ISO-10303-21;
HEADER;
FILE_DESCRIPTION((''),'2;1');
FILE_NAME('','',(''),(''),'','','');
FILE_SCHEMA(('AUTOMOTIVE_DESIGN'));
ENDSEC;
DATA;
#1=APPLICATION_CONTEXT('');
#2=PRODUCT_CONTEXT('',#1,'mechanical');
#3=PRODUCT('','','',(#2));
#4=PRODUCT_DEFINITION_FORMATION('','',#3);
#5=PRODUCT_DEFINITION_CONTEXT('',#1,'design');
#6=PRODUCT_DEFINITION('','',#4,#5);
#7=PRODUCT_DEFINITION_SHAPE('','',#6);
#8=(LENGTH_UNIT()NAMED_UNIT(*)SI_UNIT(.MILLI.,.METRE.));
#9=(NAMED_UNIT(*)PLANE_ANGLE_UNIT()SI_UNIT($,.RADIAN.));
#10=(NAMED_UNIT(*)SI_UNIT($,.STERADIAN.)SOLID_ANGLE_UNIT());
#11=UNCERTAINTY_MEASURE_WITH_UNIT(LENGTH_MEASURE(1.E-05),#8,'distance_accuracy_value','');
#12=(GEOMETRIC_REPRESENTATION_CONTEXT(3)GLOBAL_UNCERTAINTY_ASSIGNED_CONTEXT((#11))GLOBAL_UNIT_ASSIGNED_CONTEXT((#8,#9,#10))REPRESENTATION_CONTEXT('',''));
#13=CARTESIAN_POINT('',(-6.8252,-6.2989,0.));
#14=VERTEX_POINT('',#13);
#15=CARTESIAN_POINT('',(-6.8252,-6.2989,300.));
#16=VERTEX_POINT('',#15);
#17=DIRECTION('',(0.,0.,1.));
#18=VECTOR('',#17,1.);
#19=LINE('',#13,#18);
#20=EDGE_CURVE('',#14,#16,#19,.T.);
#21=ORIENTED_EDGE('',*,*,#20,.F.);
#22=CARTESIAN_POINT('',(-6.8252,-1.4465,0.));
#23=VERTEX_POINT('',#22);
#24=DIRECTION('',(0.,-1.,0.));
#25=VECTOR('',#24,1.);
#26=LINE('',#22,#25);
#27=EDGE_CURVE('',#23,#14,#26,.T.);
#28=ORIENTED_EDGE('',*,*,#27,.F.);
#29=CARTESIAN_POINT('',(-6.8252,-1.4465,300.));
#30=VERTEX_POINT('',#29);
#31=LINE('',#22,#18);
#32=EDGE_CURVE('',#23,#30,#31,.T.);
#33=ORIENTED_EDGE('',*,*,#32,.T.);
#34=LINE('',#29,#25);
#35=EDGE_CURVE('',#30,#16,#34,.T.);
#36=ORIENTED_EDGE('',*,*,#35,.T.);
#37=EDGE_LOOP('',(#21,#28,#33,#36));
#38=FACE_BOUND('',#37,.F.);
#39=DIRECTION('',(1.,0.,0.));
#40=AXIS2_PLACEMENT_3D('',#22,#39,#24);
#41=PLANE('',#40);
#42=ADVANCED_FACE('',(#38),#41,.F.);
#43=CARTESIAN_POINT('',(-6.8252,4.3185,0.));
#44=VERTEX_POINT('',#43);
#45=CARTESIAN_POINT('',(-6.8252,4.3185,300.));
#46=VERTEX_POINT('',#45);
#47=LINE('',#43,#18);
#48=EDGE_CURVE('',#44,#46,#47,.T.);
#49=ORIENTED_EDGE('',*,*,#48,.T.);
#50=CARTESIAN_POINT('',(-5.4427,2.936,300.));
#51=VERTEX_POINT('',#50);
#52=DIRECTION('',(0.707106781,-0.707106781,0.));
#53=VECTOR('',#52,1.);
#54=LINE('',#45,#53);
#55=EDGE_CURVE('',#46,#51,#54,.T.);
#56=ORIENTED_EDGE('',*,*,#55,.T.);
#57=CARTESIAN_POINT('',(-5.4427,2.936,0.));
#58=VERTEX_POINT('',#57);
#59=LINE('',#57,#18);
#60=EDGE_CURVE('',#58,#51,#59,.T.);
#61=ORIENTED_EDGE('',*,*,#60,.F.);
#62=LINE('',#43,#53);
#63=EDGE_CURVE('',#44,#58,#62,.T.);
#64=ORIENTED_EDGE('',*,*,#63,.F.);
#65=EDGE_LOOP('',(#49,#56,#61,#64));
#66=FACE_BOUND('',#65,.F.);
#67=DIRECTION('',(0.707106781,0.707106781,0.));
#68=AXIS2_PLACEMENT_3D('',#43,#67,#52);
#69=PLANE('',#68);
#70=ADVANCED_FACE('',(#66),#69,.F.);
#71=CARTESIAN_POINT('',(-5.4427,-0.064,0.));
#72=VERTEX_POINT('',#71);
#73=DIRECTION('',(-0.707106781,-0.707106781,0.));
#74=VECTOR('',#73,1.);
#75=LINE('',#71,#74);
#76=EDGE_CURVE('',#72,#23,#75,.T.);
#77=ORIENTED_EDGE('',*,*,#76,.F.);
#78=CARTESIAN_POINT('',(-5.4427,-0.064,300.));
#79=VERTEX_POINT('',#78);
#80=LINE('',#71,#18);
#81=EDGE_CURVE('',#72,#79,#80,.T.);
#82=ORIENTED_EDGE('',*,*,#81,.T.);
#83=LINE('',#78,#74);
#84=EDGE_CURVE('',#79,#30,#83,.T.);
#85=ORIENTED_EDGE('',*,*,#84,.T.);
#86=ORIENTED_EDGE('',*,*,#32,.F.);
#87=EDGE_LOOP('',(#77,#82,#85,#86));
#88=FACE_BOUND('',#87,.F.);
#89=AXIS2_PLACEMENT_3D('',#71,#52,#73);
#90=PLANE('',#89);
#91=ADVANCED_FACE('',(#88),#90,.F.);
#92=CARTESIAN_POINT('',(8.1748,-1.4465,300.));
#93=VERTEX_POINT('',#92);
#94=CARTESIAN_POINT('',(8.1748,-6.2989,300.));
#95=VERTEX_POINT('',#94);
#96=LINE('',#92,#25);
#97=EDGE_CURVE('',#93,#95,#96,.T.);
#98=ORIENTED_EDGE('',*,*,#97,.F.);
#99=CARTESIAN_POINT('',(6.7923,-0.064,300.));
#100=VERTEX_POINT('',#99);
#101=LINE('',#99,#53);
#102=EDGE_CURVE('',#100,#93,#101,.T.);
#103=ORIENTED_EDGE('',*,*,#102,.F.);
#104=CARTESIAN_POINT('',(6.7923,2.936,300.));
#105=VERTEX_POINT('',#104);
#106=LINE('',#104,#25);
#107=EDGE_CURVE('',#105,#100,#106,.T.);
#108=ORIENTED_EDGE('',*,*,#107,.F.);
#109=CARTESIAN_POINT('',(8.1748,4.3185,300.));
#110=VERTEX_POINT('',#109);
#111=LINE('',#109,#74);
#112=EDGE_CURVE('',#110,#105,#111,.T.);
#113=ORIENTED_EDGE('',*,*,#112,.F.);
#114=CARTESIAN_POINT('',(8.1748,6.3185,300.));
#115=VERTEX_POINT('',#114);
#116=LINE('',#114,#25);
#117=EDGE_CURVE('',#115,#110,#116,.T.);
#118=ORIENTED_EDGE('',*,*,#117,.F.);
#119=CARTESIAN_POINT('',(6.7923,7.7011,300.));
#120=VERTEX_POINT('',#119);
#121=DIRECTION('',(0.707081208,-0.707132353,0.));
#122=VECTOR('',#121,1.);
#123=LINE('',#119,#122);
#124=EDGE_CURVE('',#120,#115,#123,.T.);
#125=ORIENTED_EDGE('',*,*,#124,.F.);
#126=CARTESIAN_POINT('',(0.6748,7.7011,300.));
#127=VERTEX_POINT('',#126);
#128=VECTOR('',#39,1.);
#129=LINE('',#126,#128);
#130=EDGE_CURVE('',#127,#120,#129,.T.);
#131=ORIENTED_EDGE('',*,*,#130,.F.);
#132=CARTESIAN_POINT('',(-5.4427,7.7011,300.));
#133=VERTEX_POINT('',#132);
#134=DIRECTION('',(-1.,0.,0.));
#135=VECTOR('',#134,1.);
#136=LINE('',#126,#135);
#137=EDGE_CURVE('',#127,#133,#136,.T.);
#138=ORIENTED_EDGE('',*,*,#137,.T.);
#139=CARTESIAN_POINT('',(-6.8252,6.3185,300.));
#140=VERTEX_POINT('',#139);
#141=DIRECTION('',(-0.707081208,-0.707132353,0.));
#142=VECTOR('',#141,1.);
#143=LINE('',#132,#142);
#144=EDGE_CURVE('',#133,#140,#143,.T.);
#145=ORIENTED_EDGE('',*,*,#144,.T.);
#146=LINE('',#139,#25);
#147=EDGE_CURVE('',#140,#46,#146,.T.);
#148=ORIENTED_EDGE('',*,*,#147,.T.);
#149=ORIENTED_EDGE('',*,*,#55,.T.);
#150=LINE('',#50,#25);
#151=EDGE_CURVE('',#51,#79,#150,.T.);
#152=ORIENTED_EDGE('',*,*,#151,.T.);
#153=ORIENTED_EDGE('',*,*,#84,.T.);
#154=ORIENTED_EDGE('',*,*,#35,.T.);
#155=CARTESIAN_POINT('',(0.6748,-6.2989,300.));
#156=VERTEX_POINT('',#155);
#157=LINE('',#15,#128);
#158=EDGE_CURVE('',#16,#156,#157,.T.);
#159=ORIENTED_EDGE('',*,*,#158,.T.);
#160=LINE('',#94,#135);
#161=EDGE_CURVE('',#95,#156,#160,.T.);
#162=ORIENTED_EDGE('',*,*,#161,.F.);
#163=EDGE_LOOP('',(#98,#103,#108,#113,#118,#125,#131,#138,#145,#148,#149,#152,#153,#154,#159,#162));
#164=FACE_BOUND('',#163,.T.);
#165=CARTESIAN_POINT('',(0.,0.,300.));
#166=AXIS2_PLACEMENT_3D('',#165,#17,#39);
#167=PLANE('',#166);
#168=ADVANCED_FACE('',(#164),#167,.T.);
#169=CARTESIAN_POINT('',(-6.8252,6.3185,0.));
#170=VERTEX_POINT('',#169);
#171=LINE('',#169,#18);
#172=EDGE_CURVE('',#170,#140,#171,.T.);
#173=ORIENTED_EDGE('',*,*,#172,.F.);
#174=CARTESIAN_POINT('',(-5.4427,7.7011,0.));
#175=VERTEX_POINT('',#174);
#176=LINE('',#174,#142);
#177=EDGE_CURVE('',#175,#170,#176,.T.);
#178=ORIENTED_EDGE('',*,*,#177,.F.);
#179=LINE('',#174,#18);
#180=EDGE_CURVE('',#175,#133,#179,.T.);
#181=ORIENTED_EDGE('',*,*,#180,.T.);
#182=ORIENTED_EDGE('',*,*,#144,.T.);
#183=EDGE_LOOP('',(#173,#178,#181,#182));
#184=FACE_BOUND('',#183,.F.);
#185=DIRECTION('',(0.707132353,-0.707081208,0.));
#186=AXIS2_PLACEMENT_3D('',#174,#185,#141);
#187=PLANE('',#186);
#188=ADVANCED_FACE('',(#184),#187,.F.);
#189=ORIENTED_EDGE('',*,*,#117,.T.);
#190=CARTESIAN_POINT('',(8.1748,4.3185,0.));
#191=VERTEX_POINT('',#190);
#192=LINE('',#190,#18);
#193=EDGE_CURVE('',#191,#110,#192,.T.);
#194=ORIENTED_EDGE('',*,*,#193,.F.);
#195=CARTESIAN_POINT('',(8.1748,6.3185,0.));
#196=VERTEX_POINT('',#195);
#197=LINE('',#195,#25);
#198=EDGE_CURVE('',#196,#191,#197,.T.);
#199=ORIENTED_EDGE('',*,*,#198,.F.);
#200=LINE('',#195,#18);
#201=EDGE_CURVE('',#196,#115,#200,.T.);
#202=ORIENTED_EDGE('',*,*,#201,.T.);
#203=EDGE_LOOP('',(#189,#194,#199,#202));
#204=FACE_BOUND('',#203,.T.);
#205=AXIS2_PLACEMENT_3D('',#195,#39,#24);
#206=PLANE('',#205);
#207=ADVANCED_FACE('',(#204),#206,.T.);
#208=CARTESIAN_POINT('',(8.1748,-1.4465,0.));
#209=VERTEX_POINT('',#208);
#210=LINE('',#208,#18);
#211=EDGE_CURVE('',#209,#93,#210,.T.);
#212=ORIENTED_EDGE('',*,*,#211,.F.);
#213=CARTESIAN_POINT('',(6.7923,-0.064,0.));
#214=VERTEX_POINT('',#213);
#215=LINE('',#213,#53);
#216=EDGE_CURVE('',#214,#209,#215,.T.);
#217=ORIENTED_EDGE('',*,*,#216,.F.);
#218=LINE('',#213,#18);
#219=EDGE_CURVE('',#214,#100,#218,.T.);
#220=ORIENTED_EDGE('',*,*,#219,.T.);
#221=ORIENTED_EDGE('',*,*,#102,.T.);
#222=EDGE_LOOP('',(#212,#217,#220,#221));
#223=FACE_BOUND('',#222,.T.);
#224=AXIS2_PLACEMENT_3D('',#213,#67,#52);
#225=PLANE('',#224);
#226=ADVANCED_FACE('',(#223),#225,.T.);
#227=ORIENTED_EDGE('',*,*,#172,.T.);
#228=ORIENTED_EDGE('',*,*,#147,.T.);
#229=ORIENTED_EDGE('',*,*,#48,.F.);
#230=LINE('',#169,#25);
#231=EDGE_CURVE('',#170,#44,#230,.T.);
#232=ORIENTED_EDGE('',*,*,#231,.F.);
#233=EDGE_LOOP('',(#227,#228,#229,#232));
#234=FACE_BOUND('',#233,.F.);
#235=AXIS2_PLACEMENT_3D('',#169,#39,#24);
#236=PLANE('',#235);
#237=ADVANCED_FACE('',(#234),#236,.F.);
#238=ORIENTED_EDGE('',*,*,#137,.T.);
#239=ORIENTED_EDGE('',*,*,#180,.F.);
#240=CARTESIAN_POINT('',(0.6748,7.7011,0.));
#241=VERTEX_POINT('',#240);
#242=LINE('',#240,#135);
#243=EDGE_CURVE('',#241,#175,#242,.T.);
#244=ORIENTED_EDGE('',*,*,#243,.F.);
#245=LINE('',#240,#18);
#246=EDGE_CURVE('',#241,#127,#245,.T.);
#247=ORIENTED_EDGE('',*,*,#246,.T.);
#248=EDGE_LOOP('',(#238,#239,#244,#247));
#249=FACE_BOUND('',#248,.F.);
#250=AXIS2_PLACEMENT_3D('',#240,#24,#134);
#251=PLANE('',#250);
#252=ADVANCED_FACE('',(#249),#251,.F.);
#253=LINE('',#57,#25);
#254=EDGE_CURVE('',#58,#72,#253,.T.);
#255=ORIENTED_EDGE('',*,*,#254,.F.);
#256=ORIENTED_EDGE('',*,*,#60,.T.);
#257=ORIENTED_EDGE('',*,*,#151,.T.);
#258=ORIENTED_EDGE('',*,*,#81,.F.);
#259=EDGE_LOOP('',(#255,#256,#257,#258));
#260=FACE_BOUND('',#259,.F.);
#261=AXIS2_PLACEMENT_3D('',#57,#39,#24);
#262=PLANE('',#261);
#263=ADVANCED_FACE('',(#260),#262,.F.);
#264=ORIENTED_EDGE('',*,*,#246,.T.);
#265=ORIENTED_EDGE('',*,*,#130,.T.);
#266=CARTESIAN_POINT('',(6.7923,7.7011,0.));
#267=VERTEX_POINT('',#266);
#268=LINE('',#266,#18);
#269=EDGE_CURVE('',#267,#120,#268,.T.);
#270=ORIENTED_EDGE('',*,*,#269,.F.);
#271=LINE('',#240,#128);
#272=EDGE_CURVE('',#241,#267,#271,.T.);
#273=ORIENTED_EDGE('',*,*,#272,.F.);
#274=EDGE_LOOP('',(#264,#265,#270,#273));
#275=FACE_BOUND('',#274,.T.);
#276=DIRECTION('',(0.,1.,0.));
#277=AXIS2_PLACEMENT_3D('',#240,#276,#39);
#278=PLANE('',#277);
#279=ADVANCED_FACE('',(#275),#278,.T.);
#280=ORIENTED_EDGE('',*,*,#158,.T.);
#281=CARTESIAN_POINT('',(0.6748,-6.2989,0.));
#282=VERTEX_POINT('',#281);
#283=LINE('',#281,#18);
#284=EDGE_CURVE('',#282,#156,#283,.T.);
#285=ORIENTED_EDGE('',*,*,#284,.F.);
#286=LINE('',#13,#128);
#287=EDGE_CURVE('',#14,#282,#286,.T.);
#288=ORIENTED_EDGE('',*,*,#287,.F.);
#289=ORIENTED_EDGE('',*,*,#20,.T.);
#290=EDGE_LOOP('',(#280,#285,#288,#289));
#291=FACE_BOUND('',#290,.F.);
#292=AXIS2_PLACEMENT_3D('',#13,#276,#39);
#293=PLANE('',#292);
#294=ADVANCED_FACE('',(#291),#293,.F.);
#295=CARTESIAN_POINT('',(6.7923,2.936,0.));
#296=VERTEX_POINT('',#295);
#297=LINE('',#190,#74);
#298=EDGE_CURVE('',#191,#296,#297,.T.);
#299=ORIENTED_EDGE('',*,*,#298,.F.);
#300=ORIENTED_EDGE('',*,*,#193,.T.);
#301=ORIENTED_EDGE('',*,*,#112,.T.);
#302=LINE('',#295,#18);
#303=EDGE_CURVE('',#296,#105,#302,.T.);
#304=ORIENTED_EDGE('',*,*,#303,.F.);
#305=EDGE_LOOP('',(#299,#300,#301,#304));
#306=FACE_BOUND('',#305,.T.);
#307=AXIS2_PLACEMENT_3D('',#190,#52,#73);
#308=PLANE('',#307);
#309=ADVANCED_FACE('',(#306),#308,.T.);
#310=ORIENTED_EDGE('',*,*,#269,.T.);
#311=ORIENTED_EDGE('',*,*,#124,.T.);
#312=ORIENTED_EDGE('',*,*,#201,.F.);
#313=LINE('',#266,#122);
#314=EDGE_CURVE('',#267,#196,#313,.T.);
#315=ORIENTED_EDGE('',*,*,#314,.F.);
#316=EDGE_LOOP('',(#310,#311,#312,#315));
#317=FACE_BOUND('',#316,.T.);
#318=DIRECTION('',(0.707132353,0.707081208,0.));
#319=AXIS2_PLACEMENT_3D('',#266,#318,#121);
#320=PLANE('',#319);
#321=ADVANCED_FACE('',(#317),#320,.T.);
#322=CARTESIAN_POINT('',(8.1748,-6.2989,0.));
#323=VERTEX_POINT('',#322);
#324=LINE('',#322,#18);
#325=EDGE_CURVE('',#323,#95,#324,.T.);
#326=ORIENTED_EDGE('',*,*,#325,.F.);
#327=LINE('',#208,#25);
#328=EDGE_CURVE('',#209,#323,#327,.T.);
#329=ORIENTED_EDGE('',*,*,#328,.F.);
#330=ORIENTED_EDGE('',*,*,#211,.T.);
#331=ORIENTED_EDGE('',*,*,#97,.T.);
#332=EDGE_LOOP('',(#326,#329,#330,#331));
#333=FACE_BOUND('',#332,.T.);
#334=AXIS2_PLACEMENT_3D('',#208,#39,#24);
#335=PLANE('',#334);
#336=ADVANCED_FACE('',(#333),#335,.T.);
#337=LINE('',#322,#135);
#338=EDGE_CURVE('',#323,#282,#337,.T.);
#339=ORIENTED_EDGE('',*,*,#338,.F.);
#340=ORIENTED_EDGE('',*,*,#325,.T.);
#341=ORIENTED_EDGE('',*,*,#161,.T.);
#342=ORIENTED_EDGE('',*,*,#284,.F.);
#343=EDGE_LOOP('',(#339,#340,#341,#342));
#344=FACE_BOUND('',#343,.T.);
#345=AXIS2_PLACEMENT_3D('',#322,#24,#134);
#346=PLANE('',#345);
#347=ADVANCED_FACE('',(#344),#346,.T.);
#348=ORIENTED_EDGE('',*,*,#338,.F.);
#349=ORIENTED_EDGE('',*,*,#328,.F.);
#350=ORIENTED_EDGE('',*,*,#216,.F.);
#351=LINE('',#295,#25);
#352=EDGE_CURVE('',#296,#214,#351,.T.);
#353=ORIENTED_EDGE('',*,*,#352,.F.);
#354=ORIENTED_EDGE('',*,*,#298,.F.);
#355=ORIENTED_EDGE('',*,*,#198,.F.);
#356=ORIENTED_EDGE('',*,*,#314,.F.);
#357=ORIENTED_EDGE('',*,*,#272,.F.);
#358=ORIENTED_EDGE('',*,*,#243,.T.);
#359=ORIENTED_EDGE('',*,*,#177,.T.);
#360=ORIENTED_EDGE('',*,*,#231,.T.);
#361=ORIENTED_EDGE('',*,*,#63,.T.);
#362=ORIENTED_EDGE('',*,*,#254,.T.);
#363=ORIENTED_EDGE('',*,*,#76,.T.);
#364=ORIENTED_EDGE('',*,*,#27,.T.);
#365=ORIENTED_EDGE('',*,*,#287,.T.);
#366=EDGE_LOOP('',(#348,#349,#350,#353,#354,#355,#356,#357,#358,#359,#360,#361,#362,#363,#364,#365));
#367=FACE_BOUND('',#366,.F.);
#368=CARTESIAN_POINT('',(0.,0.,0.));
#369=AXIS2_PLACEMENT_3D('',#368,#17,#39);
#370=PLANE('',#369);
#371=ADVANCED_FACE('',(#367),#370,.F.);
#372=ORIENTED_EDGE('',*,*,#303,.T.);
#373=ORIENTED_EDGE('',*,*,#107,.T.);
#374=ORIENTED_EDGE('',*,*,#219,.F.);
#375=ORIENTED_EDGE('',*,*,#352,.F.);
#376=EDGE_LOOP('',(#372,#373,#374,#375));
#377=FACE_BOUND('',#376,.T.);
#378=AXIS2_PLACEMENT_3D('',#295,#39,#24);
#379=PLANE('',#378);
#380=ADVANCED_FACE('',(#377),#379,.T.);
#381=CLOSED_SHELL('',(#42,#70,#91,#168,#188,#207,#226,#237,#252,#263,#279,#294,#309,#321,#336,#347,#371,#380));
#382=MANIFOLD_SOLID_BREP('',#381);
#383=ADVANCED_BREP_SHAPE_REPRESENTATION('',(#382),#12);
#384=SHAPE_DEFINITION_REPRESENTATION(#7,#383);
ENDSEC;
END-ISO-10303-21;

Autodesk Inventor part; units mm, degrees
ref_plane "YZ Plane" through (0, 0, 0) normal (1, 0, 0) x (0, 1, 0)
ref_plane "XZ Plane" through (0, 0, 0) normal (0, 1, 0) x (-1, 0, 0)
ref_plane "XY Plane" through (0, 0, 0) normal (0, 0, 1) x (1, 0, 0)
sketch "Esboço1" plane through (0, 0, 0) normal (0, 0, 1) x (1, 0, 0)
  line L0 (0.6748, 12.626) -> (0.6748, -17.8976) construction
  line L1 (0.6748, 7.7011) -> (-5.4427, 7.7011)
  line L2 (-5.4427, 7.7011) -> (-6.8252, 6.3185)
  line L3 (-6.8252, 6.3185) -> (-6.8252, 4.3185)
  line L4 (-6.8252, 4.3185) -> (-5.4427, 2.936)
  line L5 (-5.4427, 2.936) -> (-5.4427, -0.064)
  line L6 (-5.4427, -0.064) -> (-6.8252, -1.4465)
  line L7 (-6.8252, -1.4465) -> (-6.8252, -6.2989)
  line L8 (-6.8252, -6.2989) -> (0.6748, -6.2989)
  line L9 (0.6748, 7.7011) -> (6.7923, 7.7011)
  line L10 (6.7923, 7.7011) -> (8.1748, 6.3185)
  line L11 (8.1748, 6.3185) -> (8.1748, 4.3185)
  line L12 (8.1748, 4.3185) -> (6.7923, 2.936)
  line L13 (6.7923, 2.936) -> (6.7923, -0.064)
  line L14 (6.7923, -0.064) -> (8.1748, -1.4465)
  line L15 (8.1748, -1.4465) -> (8.1748, -6.2989)
  line L16 (8.1748, -6.2989) -> (0.6748, -6.2989)
  dimension "d11" = 45
  dimension "d12" = 3
  dimension "d13" = 14
  dimension "d14" = 2
  dimension "d15" = 7.5
extrude "Extrusão1" add sketch "Esboço1" along normal blind 300
properties part number "TRILHO LINEAR 15MM DFH-A_AL"
